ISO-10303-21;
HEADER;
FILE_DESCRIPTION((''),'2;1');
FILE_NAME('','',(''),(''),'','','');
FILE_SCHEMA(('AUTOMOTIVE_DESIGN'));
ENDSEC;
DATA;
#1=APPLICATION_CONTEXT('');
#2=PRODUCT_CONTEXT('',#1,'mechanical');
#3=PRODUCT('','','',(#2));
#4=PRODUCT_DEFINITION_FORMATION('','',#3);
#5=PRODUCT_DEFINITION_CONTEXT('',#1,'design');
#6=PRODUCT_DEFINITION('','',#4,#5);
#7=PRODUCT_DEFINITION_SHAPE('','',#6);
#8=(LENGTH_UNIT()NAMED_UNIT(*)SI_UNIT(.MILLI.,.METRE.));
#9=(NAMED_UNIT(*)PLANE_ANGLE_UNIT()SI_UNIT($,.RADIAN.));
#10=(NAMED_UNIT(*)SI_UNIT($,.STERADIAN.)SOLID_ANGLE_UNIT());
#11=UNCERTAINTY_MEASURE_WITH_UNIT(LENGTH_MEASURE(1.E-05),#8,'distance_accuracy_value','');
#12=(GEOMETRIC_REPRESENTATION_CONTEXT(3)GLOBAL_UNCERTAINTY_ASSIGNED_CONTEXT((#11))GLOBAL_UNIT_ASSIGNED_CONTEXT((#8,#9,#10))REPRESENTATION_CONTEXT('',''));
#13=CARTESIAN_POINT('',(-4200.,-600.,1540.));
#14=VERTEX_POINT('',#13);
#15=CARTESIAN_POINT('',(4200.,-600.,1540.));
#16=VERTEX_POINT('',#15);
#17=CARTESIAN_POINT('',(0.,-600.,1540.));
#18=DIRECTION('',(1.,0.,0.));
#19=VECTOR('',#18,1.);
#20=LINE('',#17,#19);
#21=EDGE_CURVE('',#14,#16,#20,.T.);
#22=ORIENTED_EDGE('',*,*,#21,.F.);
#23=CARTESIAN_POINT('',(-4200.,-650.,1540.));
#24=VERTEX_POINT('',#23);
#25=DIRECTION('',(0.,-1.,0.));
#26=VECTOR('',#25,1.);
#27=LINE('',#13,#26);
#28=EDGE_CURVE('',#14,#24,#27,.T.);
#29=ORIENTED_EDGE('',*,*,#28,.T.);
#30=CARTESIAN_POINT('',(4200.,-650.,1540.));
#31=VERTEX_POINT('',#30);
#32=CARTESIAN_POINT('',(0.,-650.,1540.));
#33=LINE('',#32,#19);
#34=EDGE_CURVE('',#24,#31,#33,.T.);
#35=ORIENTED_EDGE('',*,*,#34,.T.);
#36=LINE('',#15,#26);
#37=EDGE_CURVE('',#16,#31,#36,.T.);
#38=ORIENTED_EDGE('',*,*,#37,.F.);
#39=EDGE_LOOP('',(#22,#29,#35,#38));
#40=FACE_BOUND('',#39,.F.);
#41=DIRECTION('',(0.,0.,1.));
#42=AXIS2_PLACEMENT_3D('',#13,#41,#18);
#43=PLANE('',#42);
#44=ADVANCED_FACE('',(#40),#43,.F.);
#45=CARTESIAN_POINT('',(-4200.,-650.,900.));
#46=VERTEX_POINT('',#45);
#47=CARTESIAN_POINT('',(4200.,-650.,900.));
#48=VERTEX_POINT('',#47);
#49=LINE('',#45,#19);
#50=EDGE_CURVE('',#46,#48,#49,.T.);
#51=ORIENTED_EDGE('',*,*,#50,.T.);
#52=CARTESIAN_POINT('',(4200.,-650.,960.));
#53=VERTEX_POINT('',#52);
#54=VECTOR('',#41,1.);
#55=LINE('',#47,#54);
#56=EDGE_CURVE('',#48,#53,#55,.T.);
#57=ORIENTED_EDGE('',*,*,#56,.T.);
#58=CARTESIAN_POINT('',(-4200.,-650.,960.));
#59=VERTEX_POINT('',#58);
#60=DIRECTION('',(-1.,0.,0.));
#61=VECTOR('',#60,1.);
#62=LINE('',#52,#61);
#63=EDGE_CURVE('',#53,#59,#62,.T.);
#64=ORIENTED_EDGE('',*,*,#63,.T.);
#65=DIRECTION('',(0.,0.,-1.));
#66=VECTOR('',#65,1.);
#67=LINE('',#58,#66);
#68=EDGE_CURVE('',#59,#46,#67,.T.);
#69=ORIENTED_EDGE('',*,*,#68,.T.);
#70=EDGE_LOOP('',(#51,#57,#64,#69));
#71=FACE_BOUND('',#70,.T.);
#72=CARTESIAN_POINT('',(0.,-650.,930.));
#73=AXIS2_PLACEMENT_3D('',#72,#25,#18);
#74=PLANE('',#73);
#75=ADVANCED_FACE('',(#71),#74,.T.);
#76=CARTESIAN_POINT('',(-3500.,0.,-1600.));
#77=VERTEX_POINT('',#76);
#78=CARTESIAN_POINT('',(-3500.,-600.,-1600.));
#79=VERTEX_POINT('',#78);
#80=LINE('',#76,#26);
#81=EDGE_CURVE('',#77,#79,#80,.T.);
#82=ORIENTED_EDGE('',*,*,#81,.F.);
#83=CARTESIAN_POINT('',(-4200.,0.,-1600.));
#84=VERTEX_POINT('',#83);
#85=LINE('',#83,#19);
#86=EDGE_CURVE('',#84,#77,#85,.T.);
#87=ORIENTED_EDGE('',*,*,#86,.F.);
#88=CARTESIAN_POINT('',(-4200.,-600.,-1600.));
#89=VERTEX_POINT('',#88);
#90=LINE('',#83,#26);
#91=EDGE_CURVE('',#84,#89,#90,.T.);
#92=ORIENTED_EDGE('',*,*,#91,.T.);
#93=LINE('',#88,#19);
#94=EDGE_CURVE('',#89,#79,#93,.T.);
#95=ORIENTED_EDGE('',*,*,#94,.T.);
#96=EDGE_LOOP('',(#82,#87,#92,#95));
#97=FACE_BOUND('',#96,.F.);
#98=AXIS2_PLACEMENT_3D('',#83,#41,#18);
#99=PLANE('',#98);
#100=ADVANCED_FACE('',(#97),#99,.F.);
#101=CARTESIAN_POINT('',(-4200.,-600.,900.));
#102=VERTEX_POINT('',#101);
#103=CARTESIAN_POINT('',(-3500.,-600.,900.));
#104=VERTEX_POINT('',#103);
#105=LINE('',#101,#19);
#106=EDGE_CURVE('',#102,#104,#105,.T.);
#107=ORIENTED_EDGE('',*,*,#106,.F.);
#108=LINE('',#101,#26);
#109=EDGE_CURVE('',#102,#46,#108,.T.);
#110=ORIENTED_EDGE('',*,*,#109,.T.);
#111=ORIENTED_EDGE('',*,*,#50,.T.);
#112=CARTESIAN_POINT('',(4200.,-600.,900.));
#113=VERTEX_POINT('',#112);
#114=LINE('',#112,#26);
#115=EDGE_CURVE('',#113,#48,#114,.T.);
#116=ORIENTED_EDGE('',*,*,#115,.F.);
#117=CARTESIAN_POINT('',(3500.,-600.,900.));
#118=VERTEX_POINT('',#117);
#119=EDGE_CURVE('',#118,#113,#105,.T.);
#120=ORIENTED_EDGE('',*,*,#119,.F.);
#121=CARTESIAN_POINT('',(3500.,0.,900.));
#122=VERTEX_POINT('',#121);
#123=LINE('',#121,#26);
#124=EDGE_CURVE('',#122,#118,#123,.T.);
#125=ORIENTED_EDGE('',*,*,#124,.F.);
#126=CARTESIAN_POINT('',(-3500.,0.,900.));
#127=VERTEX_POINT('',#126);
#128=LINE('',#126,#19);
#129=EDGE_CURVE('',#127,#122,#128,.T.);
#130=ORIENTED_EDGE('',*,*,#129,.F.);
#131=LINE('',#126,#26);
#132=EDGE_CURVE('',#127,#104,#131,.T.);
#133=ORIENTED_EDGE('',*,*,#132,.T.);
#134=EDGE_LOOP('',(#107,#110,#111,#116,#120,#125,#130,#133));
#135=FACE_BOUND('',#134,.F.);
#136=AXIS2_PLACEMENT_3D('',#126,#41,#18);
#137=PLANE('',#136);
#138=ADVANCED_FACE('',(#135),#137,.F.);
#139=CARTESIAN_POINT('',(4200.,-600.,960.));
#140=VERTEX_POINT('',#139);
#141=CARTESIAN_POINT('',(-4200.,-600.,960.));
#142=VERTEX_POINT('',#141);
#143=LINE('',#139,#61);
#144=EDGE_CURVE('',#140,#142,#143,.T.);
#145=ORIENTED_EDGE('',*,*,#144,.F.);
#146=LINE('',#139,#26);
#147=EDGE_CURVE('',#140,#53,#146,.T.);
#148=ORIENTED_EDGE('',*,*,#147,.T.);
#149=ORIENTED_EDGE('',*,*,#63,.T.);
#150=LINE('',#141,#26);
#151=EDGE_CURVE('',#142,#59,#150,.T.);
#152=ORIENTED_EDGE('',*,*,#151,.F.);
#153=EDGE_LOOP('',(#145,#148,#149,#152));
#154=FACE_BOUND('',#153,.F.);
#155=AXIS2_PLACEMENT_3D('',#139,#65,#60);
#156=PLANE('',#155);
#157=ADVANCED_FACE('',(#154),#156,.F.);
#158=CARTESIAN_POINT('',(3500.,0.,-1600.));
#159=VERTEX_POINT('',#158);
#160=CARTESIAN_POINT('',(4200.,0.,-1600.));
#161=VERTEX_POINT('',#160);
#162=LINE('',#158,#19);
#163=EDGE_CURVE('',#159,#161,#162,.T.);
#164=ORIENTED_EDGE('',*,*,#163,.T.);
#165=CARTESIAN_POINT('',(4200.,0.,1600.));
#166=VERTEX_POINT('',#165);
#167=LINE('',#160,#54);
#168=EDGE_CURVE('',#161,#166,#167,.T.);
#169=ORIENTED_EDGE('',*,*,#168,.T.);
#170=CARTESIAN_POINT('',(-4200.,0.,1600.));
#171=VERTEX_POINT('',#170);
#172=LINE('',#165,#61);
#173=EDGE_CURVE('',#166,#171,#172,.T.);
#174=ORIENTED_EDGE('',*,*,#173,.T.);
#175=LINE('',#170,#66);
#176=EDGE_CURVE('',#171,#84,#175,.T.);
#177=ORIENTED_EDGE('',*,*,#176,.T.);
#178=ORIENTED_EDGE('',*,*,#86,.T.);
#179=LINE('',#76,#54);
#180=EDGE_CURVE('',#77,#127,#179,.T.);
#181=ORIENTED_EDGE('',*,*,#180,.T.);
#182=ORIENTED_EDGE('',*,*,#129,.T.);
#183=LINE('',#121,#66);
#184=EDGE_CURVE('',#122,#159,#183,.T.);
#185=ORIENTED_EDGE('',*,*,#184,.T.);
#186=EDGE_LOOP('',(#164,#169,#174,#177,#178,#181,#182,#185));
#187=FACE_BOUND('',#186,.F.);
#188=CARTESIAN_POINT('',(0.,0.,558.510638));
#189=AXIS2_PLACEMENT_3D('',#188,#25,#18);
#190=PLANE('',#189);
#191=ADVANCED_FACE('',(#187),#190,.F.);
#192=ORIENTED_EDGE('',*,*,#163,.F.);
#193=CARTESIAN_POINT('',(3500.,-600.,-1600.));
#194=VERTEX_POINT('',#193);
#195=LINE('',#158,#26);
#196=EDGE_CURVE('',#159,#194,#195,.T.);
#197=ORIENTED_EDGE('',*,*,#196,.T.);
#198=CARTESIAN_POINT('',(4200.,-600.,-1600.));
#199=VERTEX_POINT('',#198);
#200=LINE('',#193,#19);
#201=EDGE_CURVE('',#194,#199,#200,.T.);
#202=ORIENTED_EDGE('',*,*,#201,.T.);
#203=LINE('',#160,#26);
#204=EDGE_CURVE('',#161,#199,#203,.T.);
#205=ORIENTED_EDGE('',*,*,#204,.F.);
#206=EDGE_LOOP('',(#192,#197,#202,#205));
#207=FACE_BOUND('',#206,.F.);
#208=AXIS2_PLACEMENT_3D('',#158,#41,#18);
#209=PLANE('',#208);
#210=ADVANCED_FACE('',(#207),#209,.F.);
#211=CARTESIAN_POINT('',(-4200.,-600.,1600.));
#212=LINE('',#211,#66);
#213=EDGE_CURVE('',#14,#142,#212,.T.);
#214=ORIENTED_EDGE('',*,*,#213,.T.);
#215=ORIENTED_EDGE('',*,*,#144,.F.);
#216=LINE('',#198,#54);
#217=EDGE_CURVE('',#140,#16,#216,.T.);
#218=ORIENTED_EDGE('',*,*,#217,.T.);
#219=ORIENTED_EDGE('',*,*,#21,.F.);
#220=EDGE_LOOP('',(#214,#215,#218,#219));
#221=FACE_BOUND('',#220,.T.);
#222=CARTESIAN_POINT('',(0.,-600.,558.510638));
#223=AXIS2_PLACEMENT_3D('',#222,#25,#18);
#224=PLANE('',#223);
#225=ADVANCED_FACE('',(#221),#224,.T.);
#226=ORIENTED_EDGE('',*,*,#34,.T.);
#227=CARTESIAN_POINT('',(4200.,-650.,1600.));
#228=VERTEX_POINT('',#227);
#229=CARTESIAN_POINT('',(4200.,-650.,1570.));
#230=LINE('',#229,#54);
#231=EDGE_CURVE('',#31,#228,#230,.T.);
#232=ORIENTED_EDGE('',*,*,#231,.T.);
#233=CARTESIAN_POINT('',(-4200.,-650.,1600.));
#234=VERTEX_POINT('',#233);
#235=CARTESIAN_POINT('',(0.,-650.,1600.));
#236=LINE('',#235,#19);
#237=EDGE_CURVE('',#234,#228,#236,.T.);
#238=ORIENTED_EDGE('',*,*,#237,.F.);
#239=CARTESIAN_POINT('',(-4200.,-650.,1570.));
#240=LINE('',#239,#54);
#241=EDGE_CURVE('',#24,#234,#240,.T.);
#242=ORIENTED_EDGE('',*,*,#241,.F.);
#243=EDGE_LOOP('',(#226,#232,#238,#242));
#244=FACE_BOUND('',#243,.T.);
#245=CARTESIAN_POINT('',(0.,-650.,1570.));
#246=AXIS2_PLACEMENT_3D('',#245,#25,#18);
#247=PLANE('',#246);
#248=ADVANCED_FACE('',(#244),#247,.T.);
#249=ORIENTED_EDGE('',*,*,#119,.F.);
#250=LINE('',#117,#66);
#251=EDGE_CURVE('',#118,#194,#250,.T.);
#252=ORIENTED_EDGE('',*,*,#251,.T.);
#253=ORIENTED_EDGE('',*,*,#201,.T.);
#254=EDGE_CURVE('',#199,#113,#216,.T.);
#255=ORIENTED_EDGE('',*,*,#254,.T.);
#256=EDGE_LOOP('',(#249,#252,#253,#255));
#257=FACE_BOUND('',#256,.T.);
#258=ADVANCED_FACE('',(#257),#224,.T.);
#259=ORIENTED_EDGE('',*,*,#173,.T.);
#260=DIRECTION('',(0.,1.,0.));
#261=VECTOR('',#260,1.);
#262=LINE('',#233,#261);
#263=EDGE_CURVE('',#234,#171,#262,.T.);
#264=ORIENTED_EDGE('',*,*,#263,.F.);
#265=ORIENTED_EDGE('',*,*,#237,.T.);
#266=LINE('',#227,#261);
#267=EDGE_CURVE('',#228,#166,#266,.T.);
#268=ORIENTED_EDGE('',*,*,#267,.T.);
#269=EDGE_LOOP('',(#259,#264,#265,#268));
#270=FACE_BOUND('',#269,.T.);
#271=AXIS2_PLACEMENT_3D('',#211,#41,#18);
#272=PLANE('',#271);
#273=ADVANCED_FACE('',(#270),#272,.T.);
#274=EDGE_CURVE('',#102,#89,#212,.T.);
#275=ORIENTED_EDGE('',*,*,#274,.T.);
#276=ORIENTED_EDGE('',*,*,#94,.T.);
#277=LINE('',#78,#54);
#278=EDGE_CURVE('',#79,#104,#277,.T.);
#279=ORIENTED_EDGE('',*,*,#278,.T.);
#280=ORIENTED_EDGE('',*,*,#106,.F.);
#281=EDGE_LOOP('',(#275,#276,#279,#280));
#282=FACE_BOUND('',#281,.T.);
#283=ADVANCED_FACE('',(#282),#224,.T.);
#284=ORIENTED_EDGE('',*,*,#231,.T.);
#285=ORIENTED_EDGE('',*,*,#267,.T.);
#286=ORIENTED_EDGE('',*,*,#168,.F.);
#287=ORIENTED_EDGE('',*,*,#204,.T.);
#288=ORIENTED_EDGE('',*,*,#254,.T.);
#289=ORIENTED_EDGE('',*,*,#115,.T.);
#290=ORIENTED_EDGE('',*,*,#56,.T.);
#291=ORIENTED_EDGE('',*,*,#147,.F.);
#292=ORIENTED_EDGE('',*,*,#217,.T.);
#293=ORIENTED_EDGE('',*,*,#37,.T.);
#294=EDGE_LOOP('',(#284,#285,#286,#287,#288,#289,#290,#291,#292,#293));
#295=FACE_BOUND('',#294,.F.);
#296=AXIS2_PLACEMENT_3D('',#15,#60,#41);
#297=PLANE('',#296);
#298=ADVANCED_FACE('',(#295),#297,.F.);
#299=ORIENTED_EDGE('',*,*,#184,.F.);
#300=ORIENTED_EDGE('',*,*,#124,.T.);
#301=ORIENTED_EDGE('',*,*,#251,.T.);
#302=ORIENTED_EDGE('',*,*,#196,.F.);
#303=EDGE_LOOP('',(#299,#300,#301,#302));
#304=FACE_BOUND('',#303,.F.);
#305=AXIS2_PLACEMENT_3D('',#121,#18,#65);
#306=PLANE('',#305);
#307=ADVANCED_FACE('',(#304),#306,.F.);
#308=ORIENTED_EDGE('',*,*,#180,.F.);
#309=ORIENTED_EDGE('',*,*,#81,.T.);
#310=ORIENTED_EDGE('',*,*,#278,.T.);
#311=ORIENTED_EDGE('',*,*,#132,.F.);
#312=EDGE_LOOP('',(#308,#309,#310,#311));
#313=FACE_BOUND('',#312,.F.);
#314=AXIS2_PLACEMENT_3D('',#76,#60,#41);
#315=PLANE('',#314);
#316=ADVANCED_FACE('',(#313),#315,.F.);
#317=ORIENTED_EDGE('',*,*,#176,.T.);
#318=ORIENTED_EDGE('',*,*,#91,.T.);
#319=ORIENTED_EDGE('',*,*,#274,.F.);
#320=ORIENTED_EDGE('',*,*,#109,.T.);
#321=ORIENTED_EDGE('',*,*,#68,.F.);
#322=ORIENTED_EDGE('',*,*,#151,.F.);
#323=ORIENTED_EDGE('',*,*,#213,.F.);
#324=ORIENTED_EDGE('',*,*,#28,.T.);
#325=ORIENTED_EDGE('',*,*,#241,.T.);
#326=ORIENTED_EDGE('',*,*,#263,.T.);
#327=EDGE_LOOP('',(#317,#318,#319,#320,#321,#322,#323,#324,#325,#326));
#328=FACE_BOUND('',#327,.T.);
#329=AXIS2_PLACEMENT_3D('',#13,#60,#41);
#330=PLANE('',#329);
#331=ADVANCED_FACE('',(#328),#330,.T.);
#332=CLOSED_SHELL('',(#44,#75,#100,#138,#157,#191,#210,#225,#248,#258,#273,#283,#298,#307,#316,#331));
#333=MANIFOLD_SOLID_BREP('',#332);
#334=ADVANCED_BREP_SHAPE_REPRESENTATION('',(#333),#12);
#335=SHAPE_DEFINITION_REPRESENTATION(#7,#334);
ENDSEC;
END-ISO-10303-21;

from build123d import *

# Parameters (mm, degrees)
F1_DEPTH = 600
F2_W     = 8400
F2_H     = 60
F3_DEPTH = 50


with BuildPart() as f1:
    # F0 (on Front) → F1 (new body)
    with BuildSketch(Plane.XZ):
        Polygon((4200, -1600), (4200, 1600), (-4200, 1600), (-4200, -1600), (-3500, -1600), (-3500, 900), (3500, 900), (3500, -1600), align=None)
    extrude(amount=F1_DEPTH)

    # F2 (on face) → F3 (join)
    with BuildSketch(Plane.XZ.offset(600)):
        with Locations((0, 1570)):
            Rectangle(F2_W, F2_H)
        Polygon((4200, 960), (-4200, 960), (-4200, 900), (-3500, 900), (3500, 900), (4200, 900), align=None)
    extrude(amount=F3_DEPTH)


solid = f1.part
